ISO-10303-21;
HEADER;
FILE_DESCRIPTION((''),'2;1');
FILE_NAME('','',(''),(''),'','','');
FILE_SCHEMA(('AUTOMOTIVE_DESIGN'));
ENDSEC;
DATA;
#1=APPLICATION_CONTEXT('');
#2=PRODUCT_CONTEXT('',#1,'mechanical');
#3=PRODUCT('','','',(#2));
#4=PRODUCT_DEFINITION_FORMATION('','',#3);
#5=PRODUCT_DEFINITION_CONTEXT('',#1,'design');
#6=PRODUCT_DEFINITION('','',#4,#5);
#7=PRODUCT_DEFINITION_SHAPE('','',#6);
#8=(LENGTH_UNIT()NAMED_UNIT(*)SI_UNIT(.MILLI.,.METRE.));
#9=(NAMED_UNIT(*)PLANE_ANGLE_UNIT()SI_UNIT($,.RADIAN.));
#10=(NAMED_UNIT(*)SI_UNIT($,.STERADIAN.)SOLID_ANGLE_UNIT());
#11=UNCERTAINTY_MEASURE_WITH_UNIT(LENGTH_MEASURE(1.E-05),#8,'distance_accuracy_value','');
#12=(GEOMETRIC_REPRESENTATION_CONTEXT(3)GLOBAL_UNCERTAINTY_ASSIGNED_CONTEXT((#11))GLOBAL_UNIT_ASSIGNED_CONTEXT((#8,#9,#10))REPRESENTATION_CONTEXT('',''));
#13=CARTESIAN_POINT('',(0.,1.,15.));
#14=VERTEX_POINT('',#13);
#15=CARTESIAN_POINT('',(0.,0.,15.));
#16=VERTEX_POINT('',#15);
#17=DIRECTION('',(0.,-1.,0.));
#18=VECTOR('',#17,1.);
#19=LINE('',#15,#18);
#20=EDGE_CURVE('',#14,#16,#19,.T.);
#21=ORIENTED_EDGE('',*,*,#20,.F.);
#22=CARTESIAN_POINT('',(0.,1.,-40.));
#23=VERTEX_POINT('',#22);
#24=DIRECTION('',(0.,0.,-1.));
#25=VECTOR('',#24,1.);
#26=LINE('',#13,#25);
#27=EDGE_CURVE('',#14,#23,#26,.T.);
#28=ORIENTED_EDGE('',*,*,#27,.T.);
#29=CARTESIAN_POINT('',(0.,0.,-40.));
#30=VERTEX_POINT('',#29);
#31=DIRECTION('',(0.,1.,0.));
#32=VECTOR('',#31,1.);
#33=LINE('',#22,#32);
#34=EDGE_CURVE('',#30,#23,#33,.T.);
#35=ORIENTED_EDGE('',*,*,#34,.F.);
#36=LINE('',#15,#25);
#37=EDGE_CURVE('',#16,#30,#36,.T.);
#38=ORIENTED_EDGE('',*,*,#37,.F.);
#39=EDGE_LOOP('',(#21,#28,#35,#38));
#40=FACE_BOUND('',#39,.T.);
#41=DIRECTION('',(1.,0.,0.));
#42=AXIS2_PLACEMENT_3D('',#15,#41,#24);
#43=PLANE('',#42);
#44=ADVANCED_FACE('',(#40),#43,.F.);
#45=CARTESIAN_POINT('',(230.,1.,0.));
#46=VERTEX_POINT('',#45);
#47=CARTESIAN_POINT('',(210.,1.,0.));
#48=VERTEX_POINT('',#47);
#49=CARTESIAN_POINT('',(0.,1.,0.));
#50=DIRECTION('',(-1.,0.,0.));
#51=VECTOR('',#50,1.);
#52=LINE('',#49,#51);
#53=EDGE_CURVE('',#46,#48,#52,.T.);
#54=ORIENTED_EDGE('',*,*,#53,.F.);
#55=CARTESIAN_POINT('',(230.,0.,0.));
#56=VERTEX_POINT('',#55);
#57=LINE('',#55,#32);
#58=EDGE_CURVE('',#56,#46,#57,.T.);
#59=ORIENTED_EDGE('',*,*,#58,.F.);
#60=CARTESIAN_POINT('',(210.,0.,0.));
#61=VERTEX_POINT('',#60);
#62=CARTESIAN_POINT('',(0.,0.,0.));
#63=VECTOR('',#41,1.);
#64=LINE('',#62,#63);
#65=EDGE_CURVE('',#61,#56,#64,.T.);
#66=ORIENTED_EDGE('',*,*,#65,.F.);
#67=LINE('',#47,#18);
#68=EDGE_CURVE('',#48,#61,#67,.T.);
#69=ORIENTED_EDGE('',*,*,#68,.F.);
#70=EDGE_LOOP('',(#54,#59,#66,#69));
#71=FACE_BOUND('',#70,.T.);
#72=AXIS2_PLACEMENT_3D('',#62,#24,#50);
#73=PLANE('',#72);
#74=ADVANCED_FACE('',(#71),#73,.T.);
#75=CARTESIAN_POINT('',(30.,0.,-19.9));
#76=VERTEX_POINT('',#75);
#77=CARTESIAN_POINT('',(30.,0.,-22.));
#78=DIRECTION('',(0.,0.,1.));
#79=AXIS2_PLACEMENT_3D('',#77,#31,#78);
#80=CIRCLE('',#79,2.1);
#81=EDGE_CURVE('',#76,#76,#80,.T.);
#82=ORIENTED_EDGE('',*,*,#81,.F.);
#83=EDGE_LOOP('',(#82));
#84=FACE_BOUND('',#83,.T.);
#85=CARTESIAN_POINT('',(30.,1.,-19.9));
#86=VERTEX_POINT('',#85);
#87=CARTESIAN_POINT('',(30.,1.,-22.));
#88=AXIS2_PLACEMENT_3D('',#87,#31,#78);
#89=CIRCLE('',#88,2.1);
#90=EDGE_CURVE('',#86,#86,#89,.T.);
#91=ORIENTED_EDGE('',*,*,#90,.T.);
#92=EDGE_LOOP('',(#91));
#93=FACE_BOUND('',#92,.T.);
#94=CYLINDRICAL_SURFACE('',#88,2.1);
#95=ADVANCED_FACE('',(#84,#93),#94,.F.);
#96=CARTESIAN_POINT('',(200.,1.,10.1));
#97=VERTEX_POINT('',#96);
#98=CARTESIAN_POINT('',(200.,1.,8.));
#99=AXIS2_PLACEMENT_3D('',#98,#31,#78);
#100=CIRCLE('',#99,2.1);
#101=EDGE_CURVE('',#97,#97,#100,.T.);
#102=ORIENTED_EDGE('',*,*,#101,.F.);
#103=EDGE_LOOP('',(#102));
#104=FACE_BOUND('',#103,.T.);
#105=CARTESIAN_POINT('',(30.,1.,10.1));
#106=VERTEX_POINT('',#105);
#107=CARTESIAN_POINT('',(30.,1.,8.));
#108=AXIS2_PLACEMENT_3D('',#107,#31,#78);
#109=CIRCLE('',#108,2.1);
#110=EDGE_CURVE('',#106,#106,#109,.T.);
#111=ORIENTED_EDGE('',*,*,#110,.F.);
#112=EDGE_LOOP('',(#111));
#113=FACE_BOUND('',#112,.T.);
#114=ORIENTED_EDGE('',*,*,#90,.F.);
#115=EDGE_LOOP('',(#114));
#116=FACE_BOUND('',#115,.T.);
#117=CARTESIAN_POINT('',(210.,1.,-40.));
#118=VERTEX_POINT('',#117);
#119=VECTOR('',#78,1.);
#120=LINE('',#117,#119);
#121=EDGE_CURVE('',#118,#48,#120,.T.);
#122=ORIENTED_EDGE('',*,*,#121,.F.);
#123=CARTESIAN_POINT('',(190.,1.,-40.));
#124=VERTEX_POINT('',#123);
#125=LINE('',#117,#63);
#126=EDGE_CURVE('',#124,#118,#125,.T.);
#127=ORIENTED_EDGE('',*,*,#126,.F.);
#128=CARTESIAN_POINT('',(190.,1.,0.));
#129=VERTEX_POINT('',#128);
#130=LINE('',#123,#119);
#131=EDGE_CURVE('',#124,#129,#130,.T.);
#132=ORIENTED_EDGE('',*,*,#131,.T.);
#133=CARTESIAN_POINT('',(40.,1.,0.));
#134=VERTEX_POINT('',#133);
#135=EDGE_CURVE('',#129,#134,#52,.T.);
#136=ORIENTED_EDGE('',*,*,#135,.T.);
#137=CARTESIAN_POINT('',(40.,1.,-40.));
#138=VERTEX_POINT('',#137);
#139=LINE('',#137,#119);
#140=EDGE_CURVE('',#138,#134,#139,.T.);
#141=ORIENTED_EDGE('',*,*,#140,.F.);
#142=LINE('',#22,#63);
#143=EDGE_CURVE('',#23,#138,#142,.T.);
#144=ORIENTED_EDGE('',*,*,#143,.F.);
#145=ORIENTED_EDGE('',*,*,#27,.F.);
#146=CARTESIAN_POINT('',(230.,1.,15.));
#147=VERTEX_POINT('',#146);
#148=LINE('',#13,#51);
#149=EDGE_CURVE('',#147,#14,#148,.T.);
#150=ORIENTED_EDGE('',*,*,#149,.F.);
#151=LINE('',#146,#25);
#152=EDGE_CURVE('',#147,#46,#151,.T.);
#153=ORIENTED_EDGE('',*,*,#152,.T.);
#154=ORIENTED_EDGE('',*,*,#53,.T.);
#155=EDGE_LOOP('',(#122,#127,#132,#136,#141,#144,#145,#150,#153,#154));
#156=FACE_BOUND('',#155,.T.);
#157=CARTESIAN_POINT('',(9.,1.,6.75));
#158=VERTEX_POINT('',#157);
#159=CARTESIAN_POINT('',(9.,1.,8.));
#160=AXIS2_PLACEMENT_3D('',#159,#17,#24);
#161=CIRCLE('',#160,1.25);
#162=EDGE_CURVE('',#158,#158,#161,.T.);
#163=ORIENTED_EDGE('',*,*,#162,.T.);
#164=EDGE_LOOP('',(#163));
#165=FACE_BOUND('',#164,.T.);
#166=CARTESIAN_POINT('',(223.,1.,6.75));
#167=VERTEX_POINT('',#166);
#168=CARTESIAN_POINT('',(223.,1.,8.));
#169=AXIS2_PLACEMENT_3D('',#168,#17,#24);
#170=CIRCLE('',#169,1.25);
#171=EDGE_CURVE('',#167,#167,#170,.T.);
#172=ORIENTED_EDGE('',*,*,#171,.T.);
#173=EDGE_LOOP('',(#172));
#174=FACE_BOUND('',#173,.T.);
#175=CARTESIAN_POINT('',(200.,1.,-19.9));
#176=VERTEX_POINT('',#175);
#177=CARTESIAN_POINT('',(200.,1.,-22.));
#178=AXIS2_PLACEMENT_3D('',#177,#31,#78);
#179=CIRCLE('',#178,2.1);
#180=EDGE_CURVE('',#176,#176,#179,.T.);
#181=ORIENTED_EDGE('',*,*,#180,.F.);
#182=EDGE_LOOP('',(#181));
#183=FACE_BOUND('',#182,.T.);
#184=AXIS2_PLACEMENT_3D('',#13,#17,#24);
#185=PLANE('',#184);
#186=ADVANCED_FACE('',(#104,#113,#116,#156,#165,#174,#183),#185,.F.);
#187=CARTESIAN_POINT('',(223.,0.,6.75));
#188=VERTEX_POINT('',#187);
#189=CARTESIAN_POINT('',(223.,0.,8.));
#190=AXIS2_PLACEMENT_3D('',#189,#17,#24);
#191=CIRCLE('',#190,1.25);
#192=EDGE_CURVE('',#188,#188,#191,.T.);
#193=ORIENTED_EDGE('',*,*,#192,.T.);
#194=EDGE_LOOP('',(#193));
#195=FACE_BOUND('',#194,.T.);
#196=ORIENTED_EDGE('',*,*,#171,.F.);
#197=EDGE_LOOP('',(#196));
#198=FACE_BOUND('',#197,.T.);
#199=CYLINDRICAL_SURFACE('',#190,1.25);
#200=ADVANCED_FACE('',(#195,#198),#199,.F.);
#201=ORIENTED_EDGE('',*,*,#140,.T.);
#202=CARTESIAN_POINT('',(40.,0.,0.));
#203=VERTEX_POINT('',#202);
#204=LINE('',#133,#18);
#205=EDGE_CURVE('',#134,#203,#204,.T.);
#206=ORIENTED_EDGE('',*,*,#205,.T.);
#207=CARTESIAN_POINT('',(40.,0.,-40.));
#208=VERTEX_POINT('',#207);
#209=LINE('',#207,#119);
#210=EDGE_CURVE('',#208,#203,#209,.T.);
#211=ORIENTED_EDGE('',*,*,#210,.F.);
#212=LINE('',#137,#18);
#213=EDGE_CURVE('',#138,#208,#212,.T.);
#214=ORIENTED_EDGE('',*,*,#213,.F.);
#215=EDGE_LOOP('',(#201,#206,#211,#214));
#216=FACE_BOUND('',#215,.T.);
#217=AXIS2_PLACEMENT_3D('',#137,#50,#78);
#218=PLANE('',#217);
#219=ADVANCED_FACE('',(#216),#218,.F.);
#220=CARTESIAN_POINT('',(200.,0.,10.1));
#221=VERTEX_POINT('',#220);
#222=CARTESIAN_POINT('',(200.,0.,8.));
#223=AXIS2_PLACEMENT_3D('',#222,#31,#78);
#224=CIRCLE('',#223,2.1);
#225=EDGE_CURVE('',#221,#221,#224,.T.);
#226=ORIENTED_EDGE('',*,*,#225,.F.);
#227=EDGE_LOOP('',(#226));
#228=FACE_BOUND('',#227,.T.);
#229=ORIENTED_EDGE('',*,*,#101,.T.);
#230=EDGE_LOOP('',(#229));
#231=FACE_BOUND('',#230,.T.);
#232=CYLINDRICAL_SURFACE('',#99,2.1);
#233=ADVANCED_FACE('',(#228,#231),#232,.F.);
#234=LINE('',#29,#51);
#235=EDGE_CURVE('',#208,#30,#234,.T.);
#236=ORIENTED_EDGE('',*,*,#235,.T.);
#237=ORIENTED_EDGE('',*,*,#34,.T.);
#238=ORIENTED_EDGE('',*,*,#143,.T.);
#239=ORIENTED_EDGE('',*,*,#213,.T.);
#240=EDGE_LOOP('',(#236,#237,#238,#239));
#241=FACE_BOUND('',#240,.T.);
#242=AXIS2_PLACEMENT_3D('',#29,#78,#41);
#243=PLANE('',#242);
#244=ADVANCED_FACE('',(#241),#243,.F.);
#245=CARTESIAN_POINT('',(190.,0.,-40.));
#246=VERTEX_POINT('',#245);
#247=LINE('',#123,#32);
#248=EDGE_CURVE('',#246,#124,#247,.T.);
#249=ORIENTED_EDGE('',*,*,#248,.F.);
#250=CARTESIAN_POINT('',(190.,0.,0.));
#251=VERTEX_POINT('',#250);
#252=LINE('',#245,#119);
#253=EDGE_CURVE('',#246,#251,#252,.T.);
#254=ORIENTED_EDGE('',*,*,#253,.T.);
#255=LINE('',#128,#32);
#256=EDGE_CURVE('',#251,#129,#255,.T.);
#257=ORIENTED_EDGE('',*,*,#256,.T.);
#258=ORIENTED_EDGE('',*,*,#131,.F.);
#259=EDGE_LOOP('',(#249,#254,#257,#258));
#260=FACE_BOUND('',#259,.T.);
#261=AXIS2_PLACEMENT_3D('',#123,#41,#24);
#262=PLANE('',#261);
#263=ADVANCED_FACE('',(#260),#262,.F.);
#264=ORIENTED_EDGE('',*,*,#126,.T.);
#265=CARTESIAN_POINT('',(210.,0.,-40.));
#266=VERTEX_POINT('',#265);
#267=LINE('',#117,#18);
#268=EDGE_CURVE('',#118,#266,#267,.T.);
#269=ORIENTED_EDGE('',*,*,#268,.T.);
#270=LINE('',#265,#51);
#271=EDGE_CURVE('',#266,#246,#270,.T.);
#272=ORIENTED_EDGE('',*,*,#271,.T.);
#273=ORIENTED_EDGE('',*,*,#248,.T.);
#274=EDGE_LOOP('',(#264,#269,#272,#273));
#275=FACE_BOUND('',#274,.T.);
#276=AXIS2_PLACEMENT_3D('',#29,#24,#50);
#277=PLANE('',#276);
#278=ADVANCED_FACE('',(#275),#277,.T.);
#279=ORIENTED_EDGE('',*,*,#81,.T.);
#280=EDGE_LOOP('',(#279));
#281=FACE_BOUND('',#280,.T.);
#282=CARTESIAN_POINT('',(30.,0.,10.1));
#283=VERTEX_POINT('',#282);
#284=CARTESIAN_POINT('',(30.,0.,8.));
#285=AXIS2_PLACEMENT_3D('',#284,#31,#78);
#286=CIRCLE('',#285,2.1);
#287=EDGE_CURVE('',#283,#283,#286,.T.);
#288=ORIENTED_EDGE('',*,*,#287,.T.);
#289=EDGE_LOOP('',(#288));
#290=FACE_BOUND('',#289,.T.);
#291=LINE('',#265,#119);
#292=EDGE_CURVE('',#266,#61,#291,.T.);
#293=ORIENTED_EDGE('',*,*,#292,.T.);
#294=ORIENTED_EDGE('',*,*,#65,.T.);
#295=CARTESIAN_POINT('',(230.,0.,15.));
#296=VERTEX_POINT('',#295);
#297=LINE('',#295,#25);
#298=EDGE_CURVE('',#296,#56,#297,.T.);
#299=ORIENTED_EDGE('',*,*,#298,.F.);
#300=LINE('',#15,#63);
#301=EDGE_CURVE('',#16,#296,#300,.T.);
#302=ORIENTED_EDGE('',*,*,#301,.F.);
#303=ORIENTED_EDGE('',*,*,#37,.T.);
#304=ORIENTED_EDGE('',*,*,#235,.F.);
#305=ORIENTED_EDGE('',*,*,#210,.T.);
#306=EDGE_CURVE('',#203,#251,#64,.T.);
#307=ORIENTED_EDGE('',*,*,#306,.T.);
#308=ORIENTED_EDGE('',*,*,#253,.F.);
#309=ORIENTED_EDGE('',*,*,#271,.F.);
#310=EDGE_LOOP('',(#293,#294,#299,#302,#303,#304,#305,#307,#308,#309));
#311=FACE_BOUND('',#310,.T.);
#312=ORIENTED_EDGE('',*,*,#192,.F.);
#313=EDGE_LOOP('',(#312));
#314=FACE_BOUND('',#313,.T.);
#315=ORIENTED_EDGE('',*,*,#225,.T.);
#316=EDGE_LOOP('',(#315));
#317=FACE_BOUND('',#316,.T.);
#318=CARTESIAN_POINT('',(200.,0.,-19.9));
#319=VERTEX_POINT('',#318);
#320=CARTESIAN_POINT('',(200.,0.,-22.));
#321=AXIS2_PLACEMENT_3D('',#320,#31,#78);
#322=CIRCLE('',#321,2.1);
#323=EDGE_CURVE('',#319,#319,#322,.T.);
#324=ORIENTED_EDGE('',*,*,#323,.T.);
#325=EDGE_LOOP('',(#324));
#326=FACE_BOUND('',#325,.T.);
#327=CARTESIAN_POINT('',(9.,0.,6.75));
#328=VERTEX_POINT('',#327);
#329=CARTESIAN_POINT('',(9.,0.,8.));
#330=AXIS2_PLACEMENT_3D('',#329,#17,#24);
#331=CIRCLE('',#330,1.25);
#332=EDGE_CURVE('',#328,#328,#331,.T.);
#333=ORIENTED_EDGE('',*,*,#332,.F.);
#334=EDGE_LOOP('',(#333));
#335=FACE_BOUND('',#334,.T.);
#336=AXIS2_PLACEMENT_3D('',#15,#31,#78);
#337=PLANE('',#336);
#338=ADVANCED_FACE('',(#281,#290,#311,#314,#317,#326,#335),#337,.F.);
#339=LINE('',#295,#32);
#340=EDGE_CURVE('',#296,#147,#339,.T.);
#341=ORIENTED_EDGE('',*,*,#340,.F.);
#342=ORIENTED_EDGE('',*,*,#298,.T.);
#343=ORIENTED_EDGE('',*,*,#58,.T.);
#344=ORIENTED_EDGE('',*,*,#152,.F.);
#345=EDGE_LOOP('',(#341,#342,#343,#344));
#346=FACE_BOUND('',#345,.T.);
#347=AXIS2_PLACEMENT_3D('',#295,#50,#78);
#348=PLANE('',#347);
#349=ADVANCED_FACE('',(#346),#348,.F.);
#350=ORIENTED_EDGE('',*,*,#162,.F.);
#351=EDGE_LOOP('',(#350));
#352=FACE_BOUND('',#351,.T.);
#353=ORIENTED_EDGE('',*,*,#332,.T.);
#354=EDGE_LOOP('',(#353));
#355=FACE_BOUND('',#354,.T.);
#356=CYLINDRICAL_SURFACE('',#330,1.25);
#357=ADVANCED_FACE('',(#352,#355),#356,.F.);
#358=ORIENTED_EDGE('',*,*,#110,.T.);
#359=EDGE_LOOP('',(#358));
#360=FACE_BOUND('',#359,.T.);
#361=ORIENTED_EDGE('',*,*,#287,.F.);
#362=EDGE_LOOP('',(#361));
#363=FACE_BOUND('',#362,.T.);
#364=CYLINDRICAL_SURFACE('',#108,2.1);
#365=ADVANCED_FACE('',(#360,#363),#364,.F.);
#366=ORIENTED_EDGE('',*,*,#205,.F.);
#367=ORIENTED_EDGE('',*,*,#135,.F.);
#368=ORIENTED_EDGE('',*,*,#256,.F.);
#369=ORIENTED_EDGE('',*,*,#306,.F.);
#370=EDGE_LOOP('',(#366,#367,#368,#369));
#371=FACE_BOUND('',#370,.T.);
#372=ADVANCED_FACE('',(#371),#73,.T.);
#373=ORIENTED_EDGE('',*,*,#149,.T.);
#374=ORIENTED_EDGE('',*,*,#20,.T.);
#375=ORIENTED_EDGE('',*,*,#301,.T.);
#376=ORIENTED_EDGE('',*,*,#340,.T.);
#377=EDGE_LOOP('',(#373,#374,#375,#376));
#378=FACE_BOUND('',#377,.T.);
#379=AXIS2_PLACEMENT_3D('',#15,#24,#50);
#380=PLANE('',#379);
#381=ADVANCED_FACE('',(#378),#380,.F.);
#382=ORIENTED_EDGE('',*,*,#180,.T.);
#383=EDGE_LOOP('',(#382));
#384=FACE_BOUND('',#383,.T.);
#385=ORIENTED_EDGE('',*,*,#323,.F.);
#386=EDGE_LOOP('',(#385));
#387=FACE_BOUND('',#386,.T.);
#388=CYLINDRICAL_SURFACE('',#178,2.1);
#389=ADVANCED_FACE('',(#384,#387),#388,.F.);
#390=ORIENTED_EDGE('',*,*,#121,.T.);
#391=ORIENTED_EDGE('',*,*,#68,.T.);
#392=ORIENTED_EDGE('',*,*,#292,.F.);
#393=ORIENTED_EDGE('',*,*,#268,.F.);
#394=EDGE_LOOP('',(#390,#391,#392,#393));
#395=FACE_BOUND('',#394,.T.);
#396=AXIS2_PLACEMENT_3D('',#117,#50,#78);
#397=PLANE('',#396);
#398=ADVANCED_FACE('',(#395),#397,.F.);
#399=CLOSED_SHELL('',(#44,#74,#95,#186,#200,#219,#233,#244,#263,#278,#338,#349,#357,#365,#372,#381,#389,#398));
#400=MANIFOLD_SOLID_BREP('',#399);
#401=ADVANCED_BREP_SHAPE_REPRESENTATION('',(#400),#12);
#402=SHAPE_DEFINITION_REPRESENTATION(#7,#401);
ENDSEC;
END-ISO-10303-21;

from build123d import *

# Parameters (mm, degrees)
SKETCH_1_W      = 230
SKETCH_1_H      = 1
EXTRUDE_1_DEPTH = 15
M3X0_5_1_D      = 2.5
M5X0_8_1_D      = 4.2
SKETCH_10_W     = 20
SKETCH_10_H     = 1
EXTRUDE_3_DEPTH = 40
SKETCH_11_W     = 40
SKETCH_11_H     = 1
EXTRUDE_4_DEPTH = 40
M5X0_8_3_D      = 4.2


with BuildPart() as part:
    # ｽｹｯﾁ1 → ﾎﾞｽ - 押し出し1 (new body)
    with BuildSketch(Plane.XY):
        with Locations((115, 0.5)):
            Rectangle(SKETCH_1_W, SKETCH_1_H)
    extrude(amount=EXTRUDE_1_DEPTH)

    # M3x0.5 ねじ穴1 (through all)
    with Locations(Plane(origin=(0, 0, 0), x_dir=(-1, 0, 0), z_dir=(0, -1, 0))):
        with Locations((-9, -8), (-223, -8)):
            Hole(M3X0_5_1_D / 2)

    # M5x0.8 ねじ穴1 (through all)
    with Locations(Plane(origin=(0, 1, 0), x_dir=(1, 0, 0), z_dir=(0, 1, 0))):
        with Locations((30, -8), (200, -8)):
            Hole(M5X0_8_1_D / 2)

    # ｽｹｯﾁ10 → ﾎﾞｽ - 押し出し3 (add)
    with BuildSketch(Plane(origin=(0, 0, 0), x_dir=(-1, 0, 0), z_dir=(0, 0, -1))):
        with Locations((-200, 0.5)):
            Rectangle(SKETCH_10_W, SKETCH_10_H)
    extrude(amount=EXTRUDE_3_DEPTH)

    # ｽｹｯﾁ11 → ﾎﾞｽ - 押し出し4 (add)
    with BuildSketch(Plane(origin=(0, 0, 0), x_dir=(-1, 0, 0), z_dir=(0, 0, -1))):
        with Locations((-20, 0.5)):
            Rectangle(SKETCH_11_W, SKETCH_11_H)
    extrude(amount=EXTRUDE_4_DEPTH)

    # M5x0.8 ねじ穴3 (through all)
    with Locations(Plane(origin=(0, 1, 0), x_dir=(1, 0, 0), z_dir=(0, 1, 0))):
        with Locations((30, 22), (200, 22)):
            Hole(M5X0_8_3_D / 2)


solid = part.part
